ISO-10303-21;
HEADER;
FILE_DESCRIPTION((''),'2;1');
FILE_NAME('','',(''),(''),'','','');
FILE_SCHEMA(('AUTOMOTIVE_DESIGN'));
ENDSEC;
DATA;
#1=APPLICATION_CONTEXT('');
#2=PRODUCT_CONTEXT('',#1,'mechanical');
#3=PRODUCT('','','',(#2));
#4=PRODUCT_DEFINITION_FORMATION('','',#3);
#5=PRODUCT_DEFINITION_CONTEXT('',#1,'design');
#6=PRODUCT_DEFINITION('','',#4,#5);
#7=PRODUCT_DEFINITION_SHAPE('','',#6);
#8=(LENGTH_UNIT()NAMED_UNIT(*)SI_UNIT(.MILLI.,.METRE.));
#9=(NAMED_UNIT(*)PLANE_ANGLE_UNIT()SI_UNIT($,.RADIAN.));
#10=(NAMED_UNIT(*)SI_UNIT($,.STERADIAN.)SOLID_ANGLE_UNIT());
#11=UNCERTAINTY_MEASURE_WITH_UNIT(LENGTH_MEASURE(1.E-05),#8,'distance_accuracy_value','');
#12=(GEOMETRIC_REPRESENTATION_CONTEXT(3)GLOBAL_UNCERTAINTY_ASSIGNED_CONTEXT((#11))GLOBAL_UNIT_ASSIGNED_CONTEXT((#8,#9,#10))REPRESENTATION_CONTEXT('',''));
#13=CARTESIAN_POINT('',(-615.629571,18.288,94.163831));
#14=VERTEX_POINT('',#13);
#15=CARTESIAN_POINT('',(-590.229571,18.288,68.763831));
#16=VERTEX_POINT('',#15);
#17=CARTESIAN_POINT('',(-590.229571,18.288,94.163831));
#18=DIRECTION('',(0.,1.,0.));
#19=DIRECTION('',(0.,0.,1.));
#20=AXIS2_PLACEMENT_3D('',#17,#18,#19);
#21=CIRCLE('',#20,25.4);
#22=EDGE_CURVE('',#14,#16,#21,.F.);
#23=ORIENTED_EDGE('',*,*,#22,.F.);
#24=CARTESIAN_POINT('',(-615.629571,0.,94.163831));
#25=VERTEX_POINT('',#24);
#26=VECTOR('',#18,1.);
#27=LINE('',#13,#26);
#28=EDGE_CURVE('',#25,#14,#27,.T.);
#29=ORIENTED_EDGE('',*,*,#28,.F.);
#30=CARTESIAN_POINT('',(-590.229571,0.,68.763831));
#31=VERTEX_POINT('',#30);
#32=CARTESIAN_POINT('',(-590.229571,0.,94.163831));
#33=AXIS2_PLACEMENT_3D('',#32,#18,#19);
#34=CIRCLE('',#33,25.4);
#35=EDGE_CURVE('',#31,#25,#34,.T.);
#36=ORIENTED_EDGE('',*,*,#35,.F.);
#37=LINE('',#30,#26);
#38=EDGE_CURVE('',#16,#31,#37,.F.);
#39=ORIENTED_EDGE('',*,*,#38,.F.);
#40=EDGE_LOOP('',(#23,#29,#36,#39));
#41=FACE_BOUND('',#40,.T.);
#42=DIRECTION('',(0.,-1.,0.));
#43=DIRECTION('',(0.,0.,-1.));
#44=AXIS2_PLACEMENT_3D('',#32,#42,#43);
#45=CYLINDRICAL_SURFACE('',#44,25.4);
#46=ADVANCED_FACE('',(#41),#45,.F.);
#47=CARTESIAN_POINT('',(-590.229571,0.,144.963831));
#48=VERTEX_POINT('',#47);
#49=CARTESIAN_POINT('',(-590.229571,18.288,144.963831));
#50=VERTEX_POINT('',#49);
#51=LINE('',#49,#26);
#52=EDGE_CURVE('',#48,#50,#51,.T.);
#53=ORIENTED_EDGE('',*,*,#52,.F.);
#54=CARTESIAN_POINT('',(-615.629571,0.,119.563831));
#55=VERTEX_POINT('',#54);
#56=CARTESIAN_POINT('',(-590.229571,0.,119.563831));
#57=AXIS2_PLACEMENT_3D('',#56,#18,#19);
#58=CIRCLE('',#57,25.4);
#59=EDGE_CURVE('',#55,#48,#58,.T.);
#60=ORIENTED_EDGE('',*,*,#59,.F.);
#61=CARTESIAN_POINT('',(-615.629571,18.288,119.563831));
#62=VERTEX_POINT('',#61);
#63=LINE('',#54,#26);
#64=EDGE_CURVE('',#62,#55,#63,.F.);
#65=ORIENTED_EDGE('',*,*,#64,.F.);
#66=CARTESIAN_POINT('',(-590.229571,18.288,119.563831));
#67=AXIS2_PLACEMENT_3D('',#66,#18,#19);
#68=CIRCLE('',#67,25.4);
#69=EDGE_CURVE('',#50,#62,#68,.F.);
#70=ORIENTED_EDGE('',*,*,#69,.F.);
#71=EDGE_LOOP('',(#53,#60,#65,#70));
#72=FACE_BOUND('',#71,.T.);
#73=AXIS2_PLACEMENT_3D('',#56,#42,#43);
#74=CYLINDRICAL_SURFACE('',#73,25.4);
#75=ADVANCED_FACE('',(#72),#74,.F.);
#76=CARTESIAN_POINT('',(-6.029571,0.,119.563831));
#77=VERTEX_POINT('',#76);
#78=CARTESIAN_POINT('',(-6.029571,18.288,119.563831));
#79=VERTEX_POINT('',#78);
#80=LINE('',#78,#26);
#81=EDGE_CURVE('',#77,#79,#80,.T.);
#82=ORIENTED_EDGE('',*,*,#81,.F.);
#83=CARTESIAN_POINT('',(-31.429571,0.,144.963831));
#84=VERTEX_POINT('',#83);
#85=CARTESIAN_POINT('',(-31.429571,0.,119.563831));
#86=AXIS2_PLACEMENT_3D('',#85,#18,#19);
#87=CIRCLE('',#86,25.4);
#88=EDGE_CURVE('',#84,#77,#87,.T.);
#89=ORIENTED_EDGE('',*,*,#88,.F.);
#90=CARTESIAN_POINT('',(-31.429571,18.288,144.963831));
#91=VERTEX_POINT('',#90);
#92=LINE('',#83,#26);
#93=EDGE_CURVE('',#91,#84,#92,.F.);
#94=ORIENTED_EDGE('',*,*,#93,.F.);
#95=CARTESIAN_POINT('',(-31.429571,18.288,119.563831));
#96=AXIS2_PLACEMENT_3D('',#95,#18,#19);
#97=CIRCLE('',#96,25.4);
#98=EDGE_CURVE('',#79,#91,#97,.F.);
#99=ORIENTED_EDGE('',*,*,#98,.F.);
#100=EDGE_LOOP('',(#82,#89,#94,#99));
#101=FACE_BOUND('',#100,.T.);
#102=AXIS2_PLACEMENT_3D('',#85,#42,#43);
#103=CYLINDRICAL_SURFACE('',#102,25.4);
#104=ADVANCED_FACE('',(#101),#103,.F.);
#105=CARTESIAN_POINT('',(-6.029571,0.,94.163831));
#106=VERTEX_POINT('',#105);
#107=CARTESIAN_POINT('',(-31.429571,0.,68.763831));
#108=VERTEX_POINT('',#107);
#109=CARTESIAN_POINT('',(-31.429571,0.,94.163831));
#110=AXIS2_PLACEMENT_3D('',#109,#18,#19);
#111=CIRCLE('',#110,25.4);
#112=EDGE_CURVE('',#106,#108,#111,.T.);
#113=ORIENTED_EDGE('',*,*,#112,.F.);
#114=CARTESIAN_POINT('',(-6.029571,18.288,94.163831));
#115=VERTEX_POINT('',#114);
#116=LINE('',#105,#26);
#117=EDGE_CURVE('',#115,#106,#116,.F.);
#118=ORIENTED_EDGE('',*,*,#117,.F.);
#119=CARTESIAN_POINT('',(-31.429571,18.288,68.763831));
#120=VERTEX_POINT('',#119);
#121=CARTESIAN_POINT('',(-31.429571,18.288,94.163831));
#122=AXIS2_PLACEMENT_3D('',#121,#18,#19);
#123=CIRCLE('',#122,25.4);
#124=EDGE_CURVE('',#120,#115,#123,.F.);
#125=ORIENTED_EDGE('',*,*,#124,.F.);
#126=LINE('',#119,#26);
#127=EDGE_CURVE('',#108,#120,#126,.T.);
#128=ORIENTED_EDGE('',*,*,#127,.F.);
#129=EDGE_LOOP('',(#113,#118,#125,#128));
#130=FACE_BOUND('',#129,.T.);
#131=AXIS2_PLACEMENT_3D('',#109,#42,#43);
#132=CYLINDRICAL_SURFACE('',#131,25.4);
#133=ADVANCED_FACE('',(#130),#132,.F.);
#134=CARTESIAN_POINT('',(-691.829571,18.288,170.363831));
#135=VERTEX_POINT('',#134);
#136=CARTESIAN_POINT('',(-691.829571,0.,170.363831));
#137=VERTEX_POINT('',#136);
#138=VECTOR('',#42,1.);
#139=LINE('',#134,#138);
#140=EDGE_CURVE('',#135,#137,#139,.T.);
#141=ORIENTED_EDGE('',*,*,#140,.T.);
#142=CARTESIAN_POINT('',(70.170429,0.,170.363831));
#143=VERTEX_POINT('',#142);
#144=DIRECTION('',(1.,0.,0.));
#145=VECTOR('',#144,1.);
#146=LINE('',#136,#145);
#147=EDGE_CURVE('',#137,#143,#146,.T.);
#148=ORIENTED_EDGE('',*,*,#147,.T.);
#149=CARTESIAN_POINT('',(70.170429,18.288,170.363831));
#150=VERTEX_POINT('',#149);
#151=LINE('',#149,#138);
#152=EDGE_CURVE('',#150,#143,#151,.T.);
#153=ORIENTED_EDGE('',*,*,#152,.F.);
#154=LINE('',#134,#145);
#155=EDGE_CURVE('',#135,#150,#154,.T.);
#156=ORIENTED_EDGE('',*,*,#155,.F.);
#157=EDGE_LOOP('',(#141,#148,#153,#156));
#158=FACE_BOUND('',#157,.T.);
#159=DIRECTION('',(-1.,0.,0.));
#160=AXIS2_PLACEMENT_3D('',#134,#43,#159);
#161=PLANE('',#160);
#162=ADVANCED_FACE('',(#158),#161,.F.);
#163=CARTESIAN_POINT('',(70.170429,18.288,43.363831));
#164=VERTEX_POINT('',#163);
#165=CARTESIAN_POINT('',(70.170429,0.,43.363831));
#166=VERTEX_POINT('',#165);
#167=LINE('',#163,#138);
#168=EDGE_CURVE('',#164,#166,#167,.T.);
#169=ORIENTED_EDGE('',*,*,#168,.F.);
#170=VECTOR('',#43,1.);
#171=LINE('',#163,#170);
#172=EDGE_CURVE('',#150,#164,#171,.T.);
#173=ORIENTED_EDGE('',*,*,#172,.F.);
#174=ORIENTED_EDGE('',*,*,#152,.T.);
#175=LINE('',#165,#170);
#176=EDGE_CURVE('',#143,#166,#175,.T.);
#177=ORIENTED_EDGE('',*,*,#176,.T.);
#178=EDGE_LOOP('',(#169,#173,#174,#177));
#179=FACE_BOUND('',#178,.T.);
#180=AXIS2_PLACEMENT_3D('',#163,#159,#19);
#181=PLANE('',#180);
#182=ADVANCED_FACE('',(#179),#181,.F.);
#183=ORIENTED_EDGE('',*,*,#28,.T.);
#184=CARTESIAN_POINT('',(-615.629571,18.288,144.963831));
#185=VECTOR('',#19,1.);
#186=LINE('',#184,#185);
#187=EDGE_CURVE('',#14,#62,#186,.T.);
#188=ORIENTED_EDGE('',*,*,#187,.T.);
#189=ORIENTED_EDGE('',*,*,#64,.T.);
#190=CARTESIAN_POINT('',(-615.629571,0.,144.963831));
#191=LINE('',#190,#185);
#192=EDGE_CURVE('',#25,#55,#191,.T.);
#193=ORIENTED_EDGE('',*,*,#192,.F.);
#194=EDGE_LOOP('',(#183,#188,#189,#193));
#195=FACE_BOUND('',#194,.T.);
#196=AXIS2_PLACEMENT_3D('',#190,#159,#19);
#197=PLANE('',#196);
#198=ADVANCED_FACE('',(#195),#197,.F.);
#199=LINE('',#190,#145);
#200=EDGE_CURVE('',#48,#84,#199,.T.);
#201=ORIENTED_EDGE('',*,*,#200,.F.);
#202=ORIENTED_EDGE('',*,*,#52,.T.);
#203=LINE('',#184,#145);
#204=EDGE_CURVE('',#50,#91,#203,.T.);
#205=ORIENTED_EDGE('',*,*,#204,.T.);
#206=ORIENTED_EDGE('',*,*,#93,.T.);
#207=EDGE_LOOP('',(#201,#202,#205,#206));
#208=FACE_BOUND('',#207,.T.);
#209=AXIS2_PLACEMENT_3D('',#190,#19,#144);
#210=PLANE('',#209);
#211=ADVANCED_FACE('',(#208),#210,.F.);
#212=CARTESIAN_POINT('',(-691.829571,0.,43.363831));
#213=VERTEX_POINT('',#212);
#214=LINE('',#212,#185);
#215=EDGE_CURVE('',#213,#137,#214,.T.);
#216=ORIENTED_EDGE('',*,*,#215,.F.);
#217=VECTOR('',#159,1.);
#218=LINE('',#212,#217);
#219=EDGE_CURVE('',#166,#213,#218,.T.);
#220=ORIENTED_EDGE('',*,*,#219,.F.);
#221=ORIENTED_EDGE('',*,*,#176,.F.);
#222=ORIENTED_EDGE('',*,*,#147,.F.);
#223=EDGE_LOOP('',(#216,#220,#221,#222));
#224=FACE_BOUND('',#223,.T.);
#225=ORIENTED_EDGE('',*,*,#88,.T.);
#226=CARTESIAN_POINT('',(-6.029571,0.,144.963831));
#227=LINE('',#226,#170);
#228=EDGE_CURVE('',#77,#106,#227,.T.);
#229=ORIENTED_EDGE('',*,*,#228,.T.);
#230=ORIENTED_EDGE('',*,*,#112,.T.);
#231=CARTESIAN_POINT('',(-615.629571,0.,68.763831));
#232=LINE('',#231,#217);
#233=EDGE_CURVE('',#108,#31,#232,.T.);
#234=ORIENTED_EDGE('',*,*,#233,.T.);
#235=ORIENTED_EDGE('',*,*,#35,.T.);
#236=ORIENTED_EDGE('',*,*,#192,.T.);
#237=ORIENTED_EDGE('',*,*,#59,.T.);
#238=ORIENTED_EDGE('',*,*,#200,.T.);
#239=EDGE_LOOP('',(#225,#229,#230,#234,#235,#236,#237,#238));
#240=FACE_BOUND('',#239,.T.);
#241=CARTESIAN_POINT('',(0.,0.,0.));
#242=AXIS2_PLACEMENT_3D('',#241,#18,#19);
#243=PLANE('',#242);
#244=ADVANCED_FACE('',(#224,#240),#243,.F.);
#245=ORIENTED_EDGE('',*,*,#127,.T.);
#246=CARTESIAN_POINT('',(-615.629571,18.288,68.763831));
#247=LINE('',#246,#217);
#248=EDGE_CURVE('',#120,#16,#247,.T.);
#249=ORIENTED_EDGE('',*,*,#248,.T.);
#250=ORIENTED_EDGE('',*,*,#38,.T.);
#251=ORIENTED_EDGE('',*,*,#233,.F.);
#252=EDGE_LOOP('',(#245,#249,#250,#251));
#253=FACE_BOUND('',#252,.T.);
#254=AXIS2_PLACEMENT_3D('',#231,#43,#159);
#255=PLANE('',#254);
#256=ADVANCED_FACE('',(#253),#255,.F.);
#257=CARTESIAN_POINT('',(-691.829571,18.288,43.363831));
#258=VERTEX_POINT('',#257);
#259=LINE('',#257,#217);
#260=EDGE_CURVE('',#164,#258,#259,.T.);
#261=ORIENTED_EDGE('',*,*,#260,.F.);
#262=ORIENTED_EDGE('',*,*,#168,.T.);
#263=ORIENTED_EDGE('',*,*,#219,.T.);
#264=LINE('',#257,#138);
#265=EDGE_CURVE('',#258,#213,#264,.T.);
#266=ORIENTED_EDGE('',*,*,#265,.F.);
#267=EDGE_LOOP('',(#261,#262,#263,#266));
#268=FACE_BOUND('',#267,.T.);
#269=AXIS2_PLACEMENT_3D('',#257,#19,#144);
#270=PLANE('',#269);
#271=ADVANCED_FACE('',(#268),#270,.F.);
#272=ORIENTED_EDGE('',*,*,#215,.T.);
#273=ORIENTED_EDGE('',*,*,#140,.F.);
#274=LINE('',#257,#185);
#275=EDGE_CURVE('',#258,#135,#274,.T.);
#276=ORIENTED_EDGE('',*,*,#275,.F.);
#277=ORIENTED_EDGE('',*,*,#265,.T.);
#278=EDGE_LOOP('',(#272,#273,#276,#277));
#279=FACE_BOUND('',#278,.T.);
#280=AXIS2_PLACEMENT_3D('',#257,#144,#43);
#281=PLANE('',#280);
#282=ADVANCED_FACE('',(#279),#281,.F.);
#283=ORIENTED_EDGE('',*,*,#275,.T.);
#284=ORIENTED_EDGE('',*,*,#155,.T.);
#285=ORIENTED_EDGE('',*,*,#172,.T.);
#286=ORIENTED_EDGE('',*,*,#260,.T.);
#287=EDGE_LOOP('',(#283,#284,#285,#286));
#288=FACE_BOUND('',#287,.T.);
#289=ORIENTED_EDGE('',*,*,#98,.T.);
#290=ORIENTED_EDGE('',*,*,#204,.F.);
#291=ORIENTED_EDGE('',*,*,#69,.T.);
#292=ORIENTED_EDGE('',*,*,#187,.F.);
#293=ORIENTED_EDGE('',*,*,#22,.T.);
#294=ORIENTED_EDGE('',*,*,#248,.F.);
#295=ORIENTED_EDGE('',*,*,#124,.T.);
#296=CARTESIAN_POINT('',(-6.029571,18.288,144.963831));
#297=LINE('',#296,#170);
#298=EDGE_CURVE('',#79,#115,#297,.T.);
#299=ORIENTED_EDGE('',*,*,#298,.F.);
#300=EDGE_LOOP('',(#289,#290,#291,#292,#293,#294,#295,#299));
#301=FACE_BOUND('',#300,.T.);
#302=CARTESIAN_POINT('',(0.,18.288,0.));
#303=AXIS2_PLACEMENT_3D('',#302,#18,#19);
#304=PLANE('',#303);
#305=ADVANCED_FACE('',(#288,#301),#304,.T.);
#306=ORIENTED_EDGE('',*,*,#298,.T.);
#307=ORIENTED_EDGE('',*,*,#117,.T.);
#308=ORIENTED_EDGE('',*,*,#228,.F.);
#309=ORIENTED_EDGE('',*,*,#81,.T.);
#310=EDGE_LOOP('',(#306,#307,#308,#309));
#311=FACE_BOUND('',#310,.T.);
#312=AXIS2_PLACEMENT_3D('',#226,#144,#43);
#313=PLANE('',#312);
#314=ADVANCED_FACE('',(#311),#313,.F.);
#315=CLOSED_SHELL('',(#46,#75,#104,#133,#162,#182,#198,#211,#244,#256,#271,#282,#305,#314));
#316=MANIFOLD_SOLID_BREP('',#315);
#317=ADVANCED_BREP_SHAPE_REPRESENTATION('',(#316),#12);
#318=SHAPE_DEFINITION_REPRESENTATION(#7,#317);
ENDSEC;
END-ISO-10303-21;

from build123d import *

# Parameters (mm, degrees)
SKETCH1_W           = 762
SKETCH1_H           = 127
BOSS_EXTRUDE1_DEPTH = 18.288
SKETCH3_W           = 609.6
SKETCH3_H           = 76.2
CUT_EXTRUDE1_DEPTH  = 713.731675746
FILLET1_R           = 25.4


with BuildPart() as part:
    # Sketch1 → Boss-Extrude1 (new body)
    with BuildSketch(Plane(origin=(0, 0, 0), x_dir=(1, 0, 0), z_dir=(0, 1, 0))):
        with Locations((-310.829571311, -106.863831041)):
            Rectangle(SKETCH1_W, SKETCH1_H)
    extrude(amount=BOSS_EXTRUDE1_DEPTH)

    # Sketch3 → Cut-Extrude1 (cut, through all)
    with BuildSketch(Plane(origin=(0, 18.288, 0), x_dir=(1, 0, 0), z_dir=(0, 1, 0))):
        with Locations((-310.829571311, -106.863831041)):
            Rectangle(SKETCH3_W, SKETCH3_H)
    extrude(amount=-CUT_EXTRUDE1_DEPTH, mode=Mode.SUBTRACT)

    # Fillet1
    fillet1_edges = [part.edges().sort_by_distance(p)[0] for p in [
        (-6.029571311, 9.144, 68.763831041),
        (-6.029571311, 9.144, 144.963831041),
        (-615.629571311, 9.144, 144.963831041),
        (-615.629571311, 9.144, 68.763831041),
    ]]
    fillet(fillet1_edges, radius=FILLET1_R)


solid = part.part
